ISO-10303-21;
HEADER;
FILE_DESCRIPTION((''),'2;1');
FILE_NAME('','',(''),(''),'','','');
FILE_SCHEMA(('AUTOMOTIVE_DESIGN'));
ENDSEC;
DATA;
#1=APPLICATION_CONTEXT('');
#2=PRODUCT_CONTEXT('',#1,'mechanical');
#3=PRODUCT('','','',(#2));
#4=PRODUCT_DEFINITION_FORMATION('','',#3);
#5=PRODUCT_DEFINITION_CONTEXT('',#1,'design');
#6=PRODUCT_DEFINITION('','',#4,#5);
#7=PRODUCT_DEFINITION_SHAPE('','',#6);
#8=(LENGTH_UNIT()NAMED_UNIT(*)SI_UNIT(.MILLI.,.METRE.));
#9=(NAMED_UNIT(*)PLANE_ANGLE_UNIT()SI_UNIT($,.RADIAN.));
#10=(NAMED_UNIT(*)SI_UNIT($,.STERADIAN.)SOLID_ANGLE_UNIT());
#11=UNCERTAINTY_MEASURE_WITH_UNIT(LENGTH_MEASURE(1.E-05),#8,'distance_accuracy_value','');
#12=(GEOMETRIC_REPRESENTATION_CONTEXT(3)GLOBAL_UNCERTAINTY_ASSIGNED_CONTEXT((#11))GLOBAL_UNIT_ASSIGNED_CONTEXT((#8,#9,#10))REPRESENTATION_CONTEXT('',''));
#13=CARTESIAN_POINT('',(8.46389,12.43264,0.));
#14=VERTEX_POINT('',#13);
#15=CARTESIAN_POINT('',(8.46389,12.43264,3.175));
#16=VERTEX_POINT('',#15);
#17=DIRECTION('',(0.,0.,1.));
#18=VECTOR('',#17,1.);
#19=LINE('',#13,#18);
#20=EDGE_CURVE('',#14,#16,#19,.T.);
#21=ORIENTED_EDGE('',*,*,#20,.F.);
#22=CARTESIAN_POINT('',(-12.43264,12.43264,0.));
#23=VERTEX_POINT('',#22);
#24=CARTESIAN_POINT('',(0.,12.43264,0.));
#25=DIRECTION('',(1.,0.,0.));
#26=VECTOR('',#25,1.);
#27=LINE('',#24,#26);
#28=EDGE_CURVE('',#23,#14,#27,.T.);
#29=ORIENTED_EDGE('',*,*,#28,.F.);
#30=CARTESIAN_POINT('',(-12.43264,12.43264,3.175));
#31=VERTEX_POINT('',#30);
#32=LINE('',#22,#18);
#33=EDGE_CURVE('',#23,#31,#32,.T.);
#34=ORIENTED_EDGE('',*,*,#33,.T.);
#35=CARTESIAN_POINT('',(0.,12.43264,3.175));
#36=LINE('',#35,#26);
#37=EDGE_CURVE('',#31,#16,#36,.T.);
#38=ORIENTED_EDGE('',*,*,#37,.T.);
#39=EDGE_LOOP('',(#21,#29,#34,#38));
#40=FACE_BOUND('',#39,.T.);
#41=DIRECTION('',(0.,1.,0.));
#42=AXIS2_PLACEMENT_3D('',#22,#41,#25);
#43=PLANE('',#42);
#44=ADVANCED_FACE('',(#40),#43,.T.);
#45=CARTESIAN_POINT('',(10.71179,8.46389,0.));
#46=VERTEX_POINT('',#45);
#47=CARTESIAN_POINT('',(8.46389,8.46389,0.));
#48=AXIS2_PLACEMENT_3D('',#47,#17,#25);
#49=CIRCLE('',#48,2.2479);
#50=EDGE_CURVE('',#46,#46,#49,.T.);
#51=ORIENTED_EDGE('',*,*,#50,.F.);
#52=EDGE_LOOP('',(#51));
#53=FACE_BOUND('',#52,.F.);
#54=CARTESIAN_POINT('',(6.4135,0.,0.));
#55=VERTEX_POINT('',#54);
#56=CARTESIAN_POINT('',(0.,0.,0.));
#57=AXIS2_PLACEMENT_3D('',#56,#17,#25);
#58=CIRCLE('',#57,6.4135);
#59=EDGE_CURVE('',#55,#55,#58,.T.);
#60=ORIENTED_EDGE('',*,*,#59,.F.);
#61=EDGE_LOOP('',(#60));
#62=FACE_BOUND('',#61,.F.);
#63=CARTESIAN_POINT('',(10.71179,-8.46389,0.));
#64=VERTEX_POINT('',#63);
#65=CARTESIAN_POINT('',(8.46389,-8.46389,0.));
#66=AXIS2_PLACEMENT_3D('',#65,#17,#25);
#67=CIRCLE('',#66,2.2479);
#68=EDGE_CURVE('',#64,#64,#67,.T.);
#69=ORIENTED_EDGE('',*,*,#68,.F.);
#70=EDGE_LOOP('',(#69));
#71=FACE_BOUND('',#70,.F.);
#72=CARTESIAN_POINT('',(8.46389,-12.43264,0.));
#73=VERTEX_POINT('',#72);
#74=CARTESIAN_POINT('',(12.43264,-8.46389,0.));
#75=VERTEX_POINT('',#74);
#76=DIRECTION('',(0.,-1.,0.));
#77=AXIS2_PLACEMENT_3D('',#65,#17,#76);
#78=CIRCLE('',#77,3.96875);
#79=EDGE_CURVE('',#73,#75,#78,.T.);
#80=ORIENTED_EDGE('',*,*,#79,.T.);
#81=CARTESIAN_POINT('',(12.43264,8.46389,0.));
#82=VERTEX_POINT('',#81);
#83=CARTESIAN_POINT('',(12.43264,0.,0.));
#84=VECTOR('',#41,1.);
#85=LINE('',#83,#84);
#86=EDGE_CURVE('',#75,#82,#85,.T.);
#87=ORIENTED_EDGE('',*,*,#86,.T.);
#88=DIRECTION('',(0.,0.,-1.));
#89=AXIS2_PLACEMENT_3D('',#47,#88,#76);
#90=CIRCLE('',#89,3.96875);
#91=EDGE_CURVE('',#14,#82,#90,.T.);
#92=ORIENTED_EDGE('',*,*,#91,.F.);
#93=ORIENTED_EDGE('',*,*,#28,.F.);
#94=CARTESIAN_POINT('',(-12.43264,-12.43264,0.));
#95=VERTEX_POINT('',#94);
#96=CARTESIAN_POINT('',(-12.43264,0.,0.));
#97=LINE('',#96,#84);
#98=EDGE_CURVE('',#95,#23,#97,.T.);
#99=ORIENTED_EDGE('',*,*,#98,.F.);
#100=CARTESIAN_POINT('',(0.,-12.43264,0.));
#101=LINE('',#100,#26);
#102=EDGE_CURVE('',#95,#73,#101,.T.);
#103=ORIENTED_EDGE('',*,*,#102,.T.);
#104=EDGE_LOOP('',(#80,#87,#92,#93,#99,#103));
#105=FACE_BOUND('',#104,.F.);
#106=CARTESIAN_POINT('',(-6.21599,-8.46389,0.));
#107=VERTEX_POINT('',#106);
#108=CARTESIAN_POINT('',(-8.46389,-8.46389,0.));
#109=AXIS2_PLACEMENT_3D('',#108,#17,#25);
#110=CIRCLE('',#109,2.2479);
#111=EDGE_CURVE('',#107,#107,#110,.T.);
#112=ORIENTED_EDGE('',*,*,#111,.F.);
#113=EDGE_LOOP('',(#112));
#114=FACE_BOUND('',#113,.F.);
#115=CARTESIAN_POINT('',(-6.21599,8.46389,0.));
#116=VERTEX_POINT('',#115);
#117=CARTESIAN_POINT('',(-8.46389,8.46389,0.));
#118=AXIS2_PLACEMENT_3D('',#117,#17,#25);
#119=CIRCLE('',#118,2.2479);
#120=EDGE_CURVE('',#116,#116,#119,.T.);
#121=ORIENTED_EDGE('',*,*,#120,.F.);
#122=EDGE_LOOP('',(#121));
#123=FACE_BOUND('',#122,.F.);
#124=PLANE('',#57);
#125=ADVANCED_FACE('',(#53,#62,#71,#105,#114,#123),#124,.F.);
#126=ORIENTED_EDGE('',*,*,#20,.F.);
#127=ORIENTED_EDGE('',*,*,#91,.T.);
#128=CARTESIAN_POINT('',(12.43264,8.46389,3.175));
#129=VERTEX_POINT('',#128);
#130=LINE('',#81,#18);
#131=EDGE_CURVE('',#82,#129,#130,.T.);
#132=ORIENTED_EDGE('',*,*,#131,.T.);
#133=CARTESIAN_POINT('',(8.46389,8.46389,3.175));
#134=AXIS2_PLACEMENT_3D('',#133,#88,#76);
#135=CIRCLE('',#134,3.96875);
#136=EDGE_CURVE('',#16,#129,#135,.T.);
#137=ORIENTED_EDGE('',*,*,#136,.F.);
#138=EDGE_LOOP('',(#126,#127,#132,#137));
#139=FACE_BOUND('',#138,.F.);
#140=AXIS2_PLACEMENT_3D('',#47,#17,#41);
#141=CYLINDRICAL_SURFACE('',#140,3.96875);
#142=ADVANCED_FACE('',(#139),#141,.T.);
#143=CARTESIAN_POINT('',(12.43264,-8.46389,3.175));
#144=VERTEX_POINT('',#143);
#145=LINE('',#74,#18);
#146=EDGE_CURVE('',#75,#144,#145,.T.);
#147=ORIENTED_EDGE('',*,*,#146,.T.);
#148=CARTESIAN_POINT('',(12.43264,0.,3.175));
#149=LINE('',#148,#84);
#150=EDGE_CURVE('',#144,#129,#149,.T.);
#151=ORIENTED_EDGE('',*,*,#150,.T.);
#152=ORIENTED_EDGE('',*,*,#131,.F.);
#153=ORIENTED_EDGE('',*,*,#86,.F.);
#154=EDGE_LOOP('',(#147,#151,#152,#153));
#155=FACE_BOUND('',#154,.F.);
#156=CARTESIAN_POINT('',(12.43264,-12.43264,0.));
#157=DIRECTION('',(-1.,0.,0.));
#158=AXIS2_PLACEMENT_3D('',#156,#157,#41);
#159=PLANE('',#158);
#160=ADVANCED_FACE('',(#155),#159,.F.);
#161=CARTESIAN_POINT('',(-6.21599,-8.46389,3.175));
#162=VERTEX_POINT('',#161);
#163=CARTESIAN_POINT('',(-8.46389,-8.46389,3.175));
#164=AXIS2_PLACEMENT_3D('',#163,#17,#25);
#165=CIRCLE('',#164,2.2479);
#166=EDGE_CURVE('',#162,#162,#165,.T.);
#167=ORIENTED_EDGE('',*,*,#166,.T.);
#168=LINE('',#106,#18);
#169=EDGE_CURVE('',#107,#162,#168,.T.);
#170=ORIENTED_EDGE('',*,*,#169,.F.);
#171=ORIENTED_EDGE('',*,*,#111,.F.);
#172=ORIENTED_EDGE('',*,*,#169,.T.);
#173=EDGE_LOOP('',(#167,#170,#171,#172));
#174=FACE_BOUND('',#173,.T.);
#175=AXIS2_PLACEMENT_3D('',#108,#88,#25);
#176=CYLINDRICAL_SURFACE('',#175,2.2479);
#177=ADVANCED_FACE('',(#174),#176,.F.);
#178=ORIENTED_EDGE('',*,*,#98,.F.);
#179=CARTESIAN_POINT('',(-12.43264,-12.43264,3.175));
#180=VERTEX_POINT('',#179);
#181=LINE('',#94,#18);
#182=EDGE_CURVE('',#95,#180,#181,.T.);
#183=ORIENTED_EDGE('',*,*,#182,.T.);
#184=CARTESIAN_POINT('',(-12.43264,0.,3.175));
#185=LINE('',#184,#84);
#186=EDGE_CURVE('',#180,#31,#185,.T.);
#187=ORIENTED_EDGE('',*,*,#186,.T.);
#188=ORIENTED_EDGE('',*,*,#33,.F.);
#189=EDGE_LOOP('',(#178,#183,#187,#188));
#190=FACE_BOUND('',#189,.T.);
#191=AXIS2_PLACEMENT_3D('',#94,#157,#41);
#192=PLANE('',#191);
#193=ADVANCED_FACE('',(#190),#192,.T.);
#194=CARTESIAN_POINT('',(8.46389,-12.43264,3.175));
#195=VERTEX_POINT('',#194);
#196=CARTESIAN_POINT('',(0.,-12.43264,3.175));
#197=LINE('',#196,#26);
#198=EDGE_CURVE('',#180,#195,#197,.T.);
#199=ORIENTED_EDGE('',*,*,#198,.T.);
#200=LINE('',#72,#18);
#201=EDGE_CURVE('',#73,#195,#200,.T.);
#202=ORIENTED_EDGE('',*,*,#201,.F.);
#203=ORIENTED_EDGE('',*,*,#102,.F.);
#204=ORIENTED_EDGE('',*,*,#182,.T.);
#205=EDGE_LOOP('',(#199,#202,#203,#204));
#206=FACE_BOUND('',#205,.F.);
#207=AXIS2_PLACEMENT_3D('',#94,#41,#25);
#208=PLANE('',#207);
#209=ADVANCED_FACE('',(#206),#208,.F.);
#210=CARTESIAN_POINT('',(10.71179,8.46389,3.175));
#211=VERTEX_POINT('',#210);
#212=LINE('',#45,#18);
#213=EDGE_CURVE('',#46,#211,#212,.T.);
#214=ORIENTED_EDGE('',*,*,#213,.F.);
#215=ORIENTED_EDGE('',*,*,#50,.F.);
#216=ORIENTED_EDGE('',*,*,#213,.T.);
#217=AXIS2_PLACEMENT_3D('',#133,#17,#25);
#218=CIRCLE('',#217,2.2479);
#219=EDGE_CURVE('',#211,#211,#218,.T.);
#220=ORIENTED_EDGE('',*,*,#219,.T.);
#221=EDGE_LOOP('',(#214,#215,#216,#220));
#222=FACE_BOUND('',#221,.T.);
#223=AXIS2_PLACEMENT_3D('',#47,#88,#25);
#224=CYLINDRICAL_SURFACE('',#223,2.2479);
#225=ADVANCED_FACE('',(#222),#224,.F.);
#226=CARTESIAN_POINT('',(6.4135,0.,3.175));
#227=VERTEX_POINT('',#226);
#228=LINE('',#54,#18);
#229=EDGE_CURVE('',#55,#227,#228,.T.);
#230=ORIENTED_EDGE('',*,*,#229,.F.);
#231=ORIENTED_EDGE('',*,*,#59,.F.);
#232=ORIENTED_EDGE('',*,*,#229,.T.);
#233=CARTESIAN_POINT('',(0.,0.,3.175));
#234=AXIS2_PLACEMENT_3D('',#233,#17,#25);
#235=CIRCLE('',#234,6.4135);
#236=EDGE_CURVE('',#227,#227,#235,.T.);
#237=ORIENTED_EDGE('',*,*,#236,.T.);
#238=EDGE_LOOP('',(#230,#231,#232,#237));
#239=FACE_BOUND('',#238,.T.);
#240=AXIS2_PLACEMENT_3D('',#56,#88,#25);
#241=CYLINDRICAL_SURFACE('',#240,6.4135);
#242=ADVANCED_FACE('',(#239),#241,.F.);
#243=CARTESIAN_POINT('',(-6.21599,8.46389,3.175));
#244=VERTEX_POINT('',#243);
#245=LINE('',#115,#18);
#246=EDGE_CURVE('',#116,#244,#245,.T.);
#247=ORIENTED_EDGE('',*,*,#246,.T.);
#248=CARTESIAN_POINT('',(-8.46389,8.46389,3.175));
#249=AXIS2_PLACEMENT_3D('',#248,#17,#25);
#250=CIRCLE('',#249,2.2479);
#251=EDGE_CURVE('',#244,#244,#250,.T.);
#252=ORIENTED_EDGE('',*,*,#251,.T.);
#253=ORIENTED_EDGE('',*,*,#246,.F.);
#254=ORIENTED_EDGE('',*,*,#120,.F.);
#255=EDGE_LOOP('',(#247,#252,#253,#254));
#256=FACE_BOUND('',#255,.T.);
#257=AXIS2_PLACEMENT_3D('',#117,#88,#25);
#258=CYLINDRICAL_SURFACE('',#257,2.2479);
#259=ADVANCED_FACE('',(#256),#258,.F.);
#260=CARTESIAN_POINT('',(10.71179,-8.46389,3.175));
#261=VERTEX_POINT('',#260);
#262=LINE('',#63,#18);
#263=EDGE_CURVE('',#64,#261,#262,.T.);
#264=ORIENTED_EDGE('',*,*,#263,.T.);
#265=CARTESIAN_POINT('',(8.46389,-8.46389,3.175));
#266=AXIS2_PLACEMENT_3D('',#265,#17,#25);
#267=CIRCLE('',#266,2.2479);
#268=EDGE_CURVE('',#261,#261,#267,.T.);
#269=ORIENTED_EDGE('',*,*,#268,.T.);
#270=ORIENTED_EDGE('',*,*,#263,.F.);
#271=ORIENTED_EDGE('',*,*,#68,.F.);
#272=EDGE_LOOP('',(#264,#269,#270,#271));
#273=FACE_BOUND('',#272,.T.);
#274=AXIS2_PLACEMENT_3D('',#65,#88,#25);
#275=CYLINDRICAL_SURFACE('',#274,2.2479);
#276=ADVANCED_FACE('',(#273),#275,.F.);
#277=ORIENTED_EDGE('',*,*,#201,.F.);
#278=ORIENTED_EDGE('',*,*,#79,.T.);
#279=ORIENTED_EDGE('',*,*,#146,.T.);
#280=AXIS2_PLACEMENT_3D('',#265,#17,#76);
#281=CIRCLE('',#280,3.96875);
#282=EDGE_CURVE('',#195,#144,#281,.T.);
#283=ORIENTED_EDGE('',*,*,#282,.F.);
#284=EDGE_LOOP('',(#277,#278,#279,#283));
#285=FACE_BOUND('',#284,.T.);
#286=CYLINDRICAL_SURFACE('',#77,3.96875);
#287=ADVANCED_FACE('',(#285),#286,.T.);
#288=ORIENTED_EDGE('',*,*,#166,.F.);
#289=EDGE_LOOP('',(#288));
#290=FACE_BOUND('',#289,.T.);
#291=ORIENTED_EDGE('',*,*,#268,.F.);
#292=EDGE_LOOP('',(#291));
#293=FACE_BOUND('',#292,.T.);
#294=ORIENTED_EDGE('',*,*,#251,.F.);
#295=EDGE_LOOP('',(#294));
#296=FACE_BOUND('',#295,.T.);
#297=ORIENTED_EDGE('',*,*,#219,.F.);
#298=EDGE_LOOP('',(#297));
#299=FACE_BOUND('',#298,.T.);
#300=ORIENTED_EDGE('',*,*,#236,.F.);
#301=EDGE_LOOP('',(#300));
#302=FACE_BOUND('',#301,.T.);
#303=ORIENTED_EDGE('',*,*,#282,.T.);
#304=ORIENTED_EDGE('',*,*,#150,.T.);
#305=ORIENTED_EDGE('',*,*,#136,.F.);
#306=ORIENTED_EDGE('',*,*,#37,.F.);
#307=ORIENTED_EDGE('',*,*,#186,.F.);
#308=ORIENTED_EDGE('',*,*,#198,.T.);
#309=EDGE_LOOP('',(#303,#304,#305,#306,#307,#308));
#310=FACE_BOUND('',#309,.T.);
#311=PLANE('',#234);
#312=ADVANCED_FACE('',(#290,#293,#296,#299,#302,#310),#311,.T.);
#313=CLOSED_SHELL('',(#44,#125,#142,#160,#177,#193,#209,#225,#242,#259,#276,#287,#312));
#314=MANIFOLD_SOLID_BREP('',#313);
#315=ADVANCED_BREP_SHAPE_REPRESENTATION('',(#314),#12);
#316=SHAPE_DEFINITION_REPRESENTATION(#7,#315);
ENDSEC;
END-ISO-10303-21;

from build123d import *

# Parameters (mm, degrees)
F0_W     = 24.86528
F0_H     = 24.86528
F0_R     = 2.2479
F0_R_2   = 6.4135
F1_DEPTH = 3.175
F2_R     = 3.96875


with BuildPart() as f1:
    # F0 (on Top) → F1 (new body)
    with BuildSketch(Plane.XY):
        Rectangle(F0_W, F0_H)
        with Locations((-8.46389, -8.46389)):
            Circle(F0_R, mode=Mode.SUBTRACT)
        with Locations((8.46389, -8.46389)):
            Circle(F0_R, mode=Mode.SUBTRACT)
        with Locations((-8.46389, 8.46389)):
            Circle(F0_R, mode=Mode.SUBTRACT)
        Circle(F0_R_2, mode=Mode.SUBTRACT)
        with Locations((8.46389, 8.46389)):
            Circle(F0_R, mode=Mode.SUBTRACT)
    extrude(amount=F1_DEPTH)

    # F2
    f2_edges = [f1.edges().sort_by_distance(p)[0] for p in [
        (12.43264, -12.43264, 1.5875),
        (12.43264, 12.43264, 1.5875),
    ]]
    fillet(f2_edges, radius=F2_R)


solid = f1.part
